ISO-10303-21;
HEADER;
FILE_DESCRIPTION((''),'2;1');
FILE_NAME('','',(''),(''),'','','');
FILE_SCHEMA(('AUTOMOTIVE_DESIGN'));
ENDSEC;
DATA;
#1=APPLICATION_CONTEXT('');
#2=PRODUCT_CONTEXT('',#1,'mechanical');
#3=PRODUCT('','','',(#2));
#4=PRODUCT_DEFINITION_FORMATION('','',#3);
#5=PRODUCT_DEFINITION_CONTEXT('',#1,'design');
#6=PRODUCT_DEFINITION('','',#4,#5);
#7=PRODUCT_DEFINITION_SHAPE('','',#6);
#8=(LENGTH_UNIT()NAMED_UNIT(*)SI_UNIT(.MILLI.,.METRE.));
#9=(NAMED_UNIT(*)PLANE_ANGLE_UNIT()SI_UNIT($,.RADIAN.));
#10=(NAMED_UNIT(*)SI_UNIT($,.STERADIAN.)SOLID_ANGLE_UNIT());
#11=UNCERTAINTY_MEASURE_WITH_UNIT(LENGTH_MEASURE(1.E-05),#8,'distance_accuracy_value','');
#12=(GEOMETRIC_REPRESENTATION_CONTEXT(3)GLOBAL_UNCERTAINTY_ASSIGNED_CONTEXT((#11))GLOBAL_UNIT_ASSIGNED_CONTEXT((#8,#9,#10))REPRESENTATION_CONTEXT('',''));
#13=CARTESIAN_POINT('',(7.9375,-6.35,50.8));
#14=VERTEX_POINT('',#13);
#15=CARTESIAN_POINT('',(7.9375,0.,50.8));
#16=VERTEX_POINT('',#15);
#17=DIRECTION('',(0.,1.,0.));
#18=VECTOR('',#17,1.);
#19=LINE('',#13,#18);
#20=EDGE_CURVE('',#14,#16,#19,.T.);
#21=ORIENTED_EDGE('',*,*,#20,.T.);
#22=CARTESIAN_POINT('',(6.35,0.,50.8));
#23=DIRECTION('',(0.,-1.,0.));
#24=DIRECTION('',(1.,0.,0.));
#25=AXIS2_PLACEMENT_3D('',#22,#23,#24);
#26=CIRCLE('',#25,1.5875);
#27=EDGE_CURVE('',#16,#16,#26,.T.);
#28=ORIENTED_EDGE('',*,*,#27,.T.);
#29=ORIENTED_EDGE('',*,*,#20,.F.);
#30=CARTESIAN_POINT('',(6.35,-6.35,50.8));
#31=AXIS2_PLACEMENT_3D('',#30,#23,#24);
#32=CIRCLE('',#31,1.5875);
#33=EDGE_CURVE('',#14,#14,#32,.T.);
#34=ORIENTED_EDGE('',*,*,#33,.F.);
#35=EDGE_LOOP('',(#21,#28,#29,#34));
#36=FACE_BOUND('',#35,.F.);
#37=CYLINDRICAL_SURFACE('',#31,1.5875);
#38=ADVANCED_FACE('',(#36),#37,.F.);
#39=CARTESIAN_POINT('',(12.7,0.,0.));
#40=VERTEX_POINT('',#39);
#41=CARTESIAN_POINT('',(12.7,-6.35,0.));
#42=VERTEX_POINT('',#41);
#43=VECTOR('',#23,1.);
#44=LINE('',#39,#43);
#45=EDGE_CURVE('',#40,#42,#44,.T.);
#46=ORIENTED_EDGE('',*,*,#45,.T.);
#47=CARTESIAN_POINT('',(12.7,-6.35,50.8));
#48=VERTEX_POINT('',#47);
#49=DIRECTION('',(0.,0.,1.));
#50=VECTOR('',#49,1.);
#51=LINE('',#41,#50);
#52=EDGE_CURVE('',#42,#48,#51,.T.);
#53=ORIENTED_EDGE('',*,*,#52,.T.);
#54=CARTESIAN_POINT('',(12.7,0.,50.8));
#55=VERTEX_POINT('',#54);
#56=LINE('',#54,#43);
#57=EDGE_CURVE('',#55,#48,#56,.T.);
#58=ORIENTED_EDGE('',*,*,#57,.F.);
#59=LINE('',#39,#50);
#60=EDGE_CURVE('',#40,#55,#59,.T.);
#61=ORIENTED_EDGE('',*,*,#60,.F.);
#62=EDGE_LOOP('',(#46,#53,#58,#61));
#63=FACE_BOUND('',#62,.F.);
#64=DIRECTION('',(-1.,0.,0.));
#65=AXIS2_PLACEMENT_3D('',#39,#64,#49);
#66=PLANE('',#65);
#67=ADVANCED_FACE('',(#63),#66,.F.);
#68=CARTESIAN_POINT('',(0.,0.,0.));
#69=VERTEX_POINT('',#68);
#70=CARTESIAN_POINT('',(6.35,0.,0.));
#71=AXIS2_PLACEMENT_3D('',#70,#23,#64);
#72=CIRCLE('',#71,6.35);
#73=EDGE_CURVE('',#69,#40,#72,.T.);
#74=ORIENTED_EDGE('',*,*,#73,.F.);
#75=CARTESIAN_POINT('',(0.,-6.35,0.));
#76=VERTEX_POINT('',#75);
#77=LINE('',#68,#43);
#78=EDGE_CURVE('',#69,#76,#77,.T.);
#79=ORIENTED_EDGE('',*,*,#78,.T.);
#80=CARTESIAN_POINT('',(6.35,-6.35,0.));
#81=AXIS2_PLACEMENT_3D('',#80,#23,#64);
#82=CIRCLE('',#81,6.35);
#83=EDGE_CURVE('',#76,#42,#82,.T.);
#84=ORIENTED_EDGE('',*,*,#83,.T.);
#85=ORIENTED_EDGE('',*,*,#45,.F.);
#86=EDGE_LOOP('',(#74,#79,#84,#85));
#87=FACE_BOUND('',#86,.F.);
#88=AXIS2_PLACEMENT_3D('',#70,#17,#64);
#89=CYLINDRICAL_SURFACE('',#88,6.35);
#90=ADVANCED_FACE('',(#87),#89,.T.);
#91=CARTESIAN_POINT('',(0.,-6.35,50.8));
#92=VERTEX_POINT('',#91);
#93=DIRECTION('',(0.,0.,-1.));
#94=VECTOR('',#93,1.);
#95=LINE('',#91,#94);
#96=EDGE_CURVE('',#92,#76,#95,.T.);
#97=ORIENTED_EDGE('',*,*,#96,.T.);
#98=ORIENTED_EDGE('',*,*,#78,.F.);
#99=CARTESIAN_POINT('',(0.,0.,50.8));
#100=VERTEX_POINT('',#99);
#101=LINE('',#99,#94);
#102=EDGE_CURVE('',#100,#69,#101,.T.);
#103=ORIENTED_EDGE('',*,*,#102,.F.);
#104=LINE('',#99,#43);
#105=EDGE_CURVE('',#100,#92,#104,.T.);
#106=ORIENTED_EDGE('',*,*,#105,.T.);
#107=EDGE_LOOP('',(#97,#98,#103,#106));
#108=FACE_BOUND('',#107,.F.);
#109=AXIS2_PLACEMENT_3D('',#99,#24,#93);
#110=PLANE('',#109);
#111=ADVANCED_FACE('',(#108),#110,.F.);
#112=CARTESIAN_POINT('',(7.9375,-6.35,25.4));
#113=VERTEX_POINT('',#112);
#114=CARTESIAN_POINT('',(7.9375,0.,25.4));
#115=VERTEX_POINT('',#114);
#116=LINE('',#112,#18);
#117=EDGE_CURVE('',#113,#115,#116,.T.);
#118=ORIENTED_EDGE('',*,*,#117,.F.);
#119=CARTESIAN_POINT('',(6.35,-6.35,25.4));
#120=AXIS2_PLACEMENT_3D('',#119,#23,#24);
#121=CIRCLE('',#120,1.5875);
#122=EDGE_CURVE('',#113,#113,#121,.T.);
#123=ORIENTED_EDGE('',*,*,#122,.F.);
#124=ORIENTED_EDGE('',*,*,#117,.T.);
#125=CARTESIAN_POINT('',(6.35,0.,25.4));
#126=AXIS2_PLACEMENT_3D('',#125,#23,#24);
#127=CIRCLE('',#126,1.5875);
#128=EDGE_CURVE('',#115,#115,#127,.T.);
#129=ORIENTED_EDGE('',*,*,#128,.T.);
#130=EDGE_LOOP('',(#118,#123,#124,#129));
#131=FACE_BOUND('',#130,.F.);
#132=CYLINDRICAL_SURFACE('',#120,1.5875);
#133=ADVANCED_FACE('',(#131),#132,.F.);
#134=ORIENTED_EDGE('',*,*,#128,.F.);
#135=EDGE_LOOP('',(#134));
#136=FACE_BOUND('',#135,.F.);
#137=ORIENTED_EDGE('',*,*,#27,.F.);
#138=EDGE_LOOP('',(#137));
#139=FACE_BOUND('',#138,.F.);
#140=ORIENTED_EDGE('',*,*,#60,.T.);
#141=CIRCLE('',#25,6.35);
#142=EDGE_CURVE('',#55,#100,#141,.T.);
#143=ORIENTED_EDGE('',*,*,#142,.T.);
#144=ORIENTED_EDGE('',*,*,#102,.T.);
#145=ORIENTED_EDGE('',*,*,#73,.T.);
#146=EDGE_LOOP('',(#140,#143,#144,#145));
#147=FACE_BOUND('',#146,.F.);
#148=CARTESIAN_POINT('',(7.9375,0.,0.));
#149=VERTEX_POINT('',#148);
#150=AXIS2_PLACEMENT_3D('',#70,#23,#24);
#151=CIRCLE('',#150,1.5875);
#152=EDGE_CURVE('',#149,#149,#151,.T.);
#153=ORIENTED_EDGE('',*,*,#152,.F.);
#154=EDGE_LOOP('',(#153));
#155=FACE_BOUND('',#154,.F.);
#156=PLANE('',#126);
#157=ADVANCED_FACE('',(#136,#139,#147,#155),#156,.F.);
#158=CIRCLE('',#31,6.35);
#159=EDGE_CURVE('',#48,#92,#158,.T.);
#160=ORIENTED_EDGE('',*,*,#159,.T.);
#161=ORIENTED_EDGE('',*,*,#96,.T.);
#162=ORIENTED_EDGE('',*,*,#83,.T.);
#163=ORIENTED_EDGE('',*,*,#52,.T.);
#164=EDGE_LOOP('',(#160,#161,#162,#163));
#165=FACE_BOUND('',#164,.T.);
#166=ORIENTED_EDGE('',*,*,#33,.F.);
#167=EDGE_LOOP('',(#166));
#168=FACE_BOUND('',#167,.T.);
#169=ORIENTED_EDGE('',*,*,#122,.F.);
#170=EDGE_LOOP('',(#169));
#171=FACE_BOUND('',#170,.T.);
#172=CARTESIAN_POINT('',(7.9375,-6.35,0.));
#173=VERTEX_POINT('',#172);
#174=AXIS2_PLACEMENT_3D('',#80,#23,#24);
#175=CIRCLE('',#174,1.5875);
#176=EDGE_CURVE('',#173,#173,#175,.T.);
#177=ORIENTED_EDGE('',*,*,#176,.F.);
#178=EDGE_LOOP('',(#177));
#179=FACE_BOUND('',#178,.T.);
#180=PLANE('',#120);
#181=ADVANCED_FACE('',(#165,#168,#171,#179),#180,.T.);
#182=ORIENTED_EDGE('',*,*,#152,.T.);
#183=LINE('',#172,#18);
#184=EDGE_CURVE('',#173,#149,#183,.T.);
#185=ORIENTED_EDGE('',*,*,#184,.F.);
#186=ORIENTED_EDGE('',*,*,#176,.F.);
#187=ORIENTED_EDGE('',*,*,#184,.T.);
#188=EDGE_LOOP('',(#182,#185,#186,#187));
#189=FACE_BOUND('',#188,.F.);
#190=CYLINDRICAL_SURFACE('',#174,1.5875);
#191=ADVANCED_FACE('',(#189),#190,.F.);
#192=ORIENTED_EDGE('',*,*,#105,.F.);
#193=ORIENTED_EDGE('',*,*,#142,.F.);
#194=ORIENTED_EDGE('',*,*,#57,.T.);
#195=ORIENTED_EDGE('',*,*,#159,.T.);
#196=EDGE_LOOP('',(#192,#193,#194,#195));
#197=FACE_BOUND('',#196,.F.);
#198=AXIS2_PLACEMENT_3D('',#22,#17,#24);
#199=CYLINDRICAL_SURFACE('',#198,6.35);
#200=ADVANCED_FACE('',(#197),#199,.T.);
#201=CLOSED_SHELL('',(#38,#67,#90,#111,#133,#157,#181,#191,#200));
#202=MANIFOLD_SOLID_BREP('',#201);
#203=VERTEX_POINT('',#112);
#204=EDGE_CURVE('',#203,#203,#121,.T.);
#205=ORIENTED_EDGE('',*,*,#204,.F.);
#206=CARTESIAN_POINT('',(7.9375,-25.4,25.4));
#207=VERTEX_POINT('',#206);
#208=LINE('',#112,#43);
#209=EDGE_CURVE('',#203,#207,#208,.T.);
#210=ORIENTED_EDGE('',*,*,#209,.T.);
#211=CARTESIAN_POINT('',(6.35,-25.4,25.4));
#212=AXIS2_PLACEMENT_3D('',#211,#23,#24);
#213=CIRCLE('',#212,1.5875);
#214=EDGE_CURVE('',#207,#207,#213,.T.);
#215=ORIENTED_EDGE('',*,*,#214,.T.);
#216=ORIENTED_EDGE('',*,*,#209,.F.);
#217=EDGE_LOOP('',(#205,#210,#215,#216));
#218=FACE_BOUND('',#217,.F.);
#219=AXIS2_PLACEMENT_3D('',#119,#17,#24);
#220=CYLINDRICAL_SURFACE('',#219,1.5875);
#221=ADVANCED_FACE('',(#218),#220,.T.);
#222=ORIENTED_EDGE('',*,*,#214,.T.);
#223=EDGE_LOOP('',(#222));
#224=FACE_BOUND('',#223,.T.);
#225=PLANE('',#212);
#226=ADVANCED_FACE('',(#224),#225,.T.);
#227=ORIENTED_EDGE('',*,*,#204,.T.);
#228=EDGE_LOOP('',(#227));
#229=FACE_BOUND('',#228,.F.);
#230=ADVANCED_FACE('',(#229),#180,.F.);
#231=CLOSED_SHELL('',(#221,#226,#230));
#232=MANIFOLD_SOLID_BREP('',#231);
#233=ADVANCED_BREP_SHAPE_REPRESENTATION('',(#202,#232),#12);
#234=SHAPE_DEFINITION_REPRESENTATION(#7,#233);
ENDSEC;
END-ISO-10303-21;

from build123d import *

# Parameters (mm, degrees)
F1_DEPTH = 6.35
F2_R     = 1.5875
F3_DEPTH = 6.35
F4_R     = 1.5875
F5_DEPTH = 19.05


with BuildPart() as f1:
    # F0 (on Front) → F1 (new body)
    with BuildSketch(Plane.XZ):
        with BuildLine():
            Line((0, 50.8), (0, 0))
            ThreePointArc((0, 0), (6.35, -6.35), (12.7, 0))
            Line((12.7, 0), (12.7, 50.8))
            ThreePointArc((12.7, 50.8), (6.35, 57.15), (0, 50.8))
        make_face()
    extrude(amount=F1_DEPTH)

    # F2 (on face) → F3 (cut, through all)
    with BuildSketch(Plane.XZ.offset(6.35)):
        with Locations((6.35, 50.8)):
            Circle(F2_R)
        with Locations((6.35, 0)):
            Circle(F2_R)
        with Locations((6.35, 25.4)):
            Circle(F2_R)
    extrude(amount=-F3_DEPTH, mode=Mode.SUBTRACT)


with BuildPart() as f5:
    # F4 (on face) → F5 (new body)
    with BuildSketch(Plane.XZ.offset(6.35)):
        with Locations((6.35, 25.4)):
            Circle(F4_R)
    extrude(amount=F5_DEPTH)


solid = Compound([f1.part, f5.part])
